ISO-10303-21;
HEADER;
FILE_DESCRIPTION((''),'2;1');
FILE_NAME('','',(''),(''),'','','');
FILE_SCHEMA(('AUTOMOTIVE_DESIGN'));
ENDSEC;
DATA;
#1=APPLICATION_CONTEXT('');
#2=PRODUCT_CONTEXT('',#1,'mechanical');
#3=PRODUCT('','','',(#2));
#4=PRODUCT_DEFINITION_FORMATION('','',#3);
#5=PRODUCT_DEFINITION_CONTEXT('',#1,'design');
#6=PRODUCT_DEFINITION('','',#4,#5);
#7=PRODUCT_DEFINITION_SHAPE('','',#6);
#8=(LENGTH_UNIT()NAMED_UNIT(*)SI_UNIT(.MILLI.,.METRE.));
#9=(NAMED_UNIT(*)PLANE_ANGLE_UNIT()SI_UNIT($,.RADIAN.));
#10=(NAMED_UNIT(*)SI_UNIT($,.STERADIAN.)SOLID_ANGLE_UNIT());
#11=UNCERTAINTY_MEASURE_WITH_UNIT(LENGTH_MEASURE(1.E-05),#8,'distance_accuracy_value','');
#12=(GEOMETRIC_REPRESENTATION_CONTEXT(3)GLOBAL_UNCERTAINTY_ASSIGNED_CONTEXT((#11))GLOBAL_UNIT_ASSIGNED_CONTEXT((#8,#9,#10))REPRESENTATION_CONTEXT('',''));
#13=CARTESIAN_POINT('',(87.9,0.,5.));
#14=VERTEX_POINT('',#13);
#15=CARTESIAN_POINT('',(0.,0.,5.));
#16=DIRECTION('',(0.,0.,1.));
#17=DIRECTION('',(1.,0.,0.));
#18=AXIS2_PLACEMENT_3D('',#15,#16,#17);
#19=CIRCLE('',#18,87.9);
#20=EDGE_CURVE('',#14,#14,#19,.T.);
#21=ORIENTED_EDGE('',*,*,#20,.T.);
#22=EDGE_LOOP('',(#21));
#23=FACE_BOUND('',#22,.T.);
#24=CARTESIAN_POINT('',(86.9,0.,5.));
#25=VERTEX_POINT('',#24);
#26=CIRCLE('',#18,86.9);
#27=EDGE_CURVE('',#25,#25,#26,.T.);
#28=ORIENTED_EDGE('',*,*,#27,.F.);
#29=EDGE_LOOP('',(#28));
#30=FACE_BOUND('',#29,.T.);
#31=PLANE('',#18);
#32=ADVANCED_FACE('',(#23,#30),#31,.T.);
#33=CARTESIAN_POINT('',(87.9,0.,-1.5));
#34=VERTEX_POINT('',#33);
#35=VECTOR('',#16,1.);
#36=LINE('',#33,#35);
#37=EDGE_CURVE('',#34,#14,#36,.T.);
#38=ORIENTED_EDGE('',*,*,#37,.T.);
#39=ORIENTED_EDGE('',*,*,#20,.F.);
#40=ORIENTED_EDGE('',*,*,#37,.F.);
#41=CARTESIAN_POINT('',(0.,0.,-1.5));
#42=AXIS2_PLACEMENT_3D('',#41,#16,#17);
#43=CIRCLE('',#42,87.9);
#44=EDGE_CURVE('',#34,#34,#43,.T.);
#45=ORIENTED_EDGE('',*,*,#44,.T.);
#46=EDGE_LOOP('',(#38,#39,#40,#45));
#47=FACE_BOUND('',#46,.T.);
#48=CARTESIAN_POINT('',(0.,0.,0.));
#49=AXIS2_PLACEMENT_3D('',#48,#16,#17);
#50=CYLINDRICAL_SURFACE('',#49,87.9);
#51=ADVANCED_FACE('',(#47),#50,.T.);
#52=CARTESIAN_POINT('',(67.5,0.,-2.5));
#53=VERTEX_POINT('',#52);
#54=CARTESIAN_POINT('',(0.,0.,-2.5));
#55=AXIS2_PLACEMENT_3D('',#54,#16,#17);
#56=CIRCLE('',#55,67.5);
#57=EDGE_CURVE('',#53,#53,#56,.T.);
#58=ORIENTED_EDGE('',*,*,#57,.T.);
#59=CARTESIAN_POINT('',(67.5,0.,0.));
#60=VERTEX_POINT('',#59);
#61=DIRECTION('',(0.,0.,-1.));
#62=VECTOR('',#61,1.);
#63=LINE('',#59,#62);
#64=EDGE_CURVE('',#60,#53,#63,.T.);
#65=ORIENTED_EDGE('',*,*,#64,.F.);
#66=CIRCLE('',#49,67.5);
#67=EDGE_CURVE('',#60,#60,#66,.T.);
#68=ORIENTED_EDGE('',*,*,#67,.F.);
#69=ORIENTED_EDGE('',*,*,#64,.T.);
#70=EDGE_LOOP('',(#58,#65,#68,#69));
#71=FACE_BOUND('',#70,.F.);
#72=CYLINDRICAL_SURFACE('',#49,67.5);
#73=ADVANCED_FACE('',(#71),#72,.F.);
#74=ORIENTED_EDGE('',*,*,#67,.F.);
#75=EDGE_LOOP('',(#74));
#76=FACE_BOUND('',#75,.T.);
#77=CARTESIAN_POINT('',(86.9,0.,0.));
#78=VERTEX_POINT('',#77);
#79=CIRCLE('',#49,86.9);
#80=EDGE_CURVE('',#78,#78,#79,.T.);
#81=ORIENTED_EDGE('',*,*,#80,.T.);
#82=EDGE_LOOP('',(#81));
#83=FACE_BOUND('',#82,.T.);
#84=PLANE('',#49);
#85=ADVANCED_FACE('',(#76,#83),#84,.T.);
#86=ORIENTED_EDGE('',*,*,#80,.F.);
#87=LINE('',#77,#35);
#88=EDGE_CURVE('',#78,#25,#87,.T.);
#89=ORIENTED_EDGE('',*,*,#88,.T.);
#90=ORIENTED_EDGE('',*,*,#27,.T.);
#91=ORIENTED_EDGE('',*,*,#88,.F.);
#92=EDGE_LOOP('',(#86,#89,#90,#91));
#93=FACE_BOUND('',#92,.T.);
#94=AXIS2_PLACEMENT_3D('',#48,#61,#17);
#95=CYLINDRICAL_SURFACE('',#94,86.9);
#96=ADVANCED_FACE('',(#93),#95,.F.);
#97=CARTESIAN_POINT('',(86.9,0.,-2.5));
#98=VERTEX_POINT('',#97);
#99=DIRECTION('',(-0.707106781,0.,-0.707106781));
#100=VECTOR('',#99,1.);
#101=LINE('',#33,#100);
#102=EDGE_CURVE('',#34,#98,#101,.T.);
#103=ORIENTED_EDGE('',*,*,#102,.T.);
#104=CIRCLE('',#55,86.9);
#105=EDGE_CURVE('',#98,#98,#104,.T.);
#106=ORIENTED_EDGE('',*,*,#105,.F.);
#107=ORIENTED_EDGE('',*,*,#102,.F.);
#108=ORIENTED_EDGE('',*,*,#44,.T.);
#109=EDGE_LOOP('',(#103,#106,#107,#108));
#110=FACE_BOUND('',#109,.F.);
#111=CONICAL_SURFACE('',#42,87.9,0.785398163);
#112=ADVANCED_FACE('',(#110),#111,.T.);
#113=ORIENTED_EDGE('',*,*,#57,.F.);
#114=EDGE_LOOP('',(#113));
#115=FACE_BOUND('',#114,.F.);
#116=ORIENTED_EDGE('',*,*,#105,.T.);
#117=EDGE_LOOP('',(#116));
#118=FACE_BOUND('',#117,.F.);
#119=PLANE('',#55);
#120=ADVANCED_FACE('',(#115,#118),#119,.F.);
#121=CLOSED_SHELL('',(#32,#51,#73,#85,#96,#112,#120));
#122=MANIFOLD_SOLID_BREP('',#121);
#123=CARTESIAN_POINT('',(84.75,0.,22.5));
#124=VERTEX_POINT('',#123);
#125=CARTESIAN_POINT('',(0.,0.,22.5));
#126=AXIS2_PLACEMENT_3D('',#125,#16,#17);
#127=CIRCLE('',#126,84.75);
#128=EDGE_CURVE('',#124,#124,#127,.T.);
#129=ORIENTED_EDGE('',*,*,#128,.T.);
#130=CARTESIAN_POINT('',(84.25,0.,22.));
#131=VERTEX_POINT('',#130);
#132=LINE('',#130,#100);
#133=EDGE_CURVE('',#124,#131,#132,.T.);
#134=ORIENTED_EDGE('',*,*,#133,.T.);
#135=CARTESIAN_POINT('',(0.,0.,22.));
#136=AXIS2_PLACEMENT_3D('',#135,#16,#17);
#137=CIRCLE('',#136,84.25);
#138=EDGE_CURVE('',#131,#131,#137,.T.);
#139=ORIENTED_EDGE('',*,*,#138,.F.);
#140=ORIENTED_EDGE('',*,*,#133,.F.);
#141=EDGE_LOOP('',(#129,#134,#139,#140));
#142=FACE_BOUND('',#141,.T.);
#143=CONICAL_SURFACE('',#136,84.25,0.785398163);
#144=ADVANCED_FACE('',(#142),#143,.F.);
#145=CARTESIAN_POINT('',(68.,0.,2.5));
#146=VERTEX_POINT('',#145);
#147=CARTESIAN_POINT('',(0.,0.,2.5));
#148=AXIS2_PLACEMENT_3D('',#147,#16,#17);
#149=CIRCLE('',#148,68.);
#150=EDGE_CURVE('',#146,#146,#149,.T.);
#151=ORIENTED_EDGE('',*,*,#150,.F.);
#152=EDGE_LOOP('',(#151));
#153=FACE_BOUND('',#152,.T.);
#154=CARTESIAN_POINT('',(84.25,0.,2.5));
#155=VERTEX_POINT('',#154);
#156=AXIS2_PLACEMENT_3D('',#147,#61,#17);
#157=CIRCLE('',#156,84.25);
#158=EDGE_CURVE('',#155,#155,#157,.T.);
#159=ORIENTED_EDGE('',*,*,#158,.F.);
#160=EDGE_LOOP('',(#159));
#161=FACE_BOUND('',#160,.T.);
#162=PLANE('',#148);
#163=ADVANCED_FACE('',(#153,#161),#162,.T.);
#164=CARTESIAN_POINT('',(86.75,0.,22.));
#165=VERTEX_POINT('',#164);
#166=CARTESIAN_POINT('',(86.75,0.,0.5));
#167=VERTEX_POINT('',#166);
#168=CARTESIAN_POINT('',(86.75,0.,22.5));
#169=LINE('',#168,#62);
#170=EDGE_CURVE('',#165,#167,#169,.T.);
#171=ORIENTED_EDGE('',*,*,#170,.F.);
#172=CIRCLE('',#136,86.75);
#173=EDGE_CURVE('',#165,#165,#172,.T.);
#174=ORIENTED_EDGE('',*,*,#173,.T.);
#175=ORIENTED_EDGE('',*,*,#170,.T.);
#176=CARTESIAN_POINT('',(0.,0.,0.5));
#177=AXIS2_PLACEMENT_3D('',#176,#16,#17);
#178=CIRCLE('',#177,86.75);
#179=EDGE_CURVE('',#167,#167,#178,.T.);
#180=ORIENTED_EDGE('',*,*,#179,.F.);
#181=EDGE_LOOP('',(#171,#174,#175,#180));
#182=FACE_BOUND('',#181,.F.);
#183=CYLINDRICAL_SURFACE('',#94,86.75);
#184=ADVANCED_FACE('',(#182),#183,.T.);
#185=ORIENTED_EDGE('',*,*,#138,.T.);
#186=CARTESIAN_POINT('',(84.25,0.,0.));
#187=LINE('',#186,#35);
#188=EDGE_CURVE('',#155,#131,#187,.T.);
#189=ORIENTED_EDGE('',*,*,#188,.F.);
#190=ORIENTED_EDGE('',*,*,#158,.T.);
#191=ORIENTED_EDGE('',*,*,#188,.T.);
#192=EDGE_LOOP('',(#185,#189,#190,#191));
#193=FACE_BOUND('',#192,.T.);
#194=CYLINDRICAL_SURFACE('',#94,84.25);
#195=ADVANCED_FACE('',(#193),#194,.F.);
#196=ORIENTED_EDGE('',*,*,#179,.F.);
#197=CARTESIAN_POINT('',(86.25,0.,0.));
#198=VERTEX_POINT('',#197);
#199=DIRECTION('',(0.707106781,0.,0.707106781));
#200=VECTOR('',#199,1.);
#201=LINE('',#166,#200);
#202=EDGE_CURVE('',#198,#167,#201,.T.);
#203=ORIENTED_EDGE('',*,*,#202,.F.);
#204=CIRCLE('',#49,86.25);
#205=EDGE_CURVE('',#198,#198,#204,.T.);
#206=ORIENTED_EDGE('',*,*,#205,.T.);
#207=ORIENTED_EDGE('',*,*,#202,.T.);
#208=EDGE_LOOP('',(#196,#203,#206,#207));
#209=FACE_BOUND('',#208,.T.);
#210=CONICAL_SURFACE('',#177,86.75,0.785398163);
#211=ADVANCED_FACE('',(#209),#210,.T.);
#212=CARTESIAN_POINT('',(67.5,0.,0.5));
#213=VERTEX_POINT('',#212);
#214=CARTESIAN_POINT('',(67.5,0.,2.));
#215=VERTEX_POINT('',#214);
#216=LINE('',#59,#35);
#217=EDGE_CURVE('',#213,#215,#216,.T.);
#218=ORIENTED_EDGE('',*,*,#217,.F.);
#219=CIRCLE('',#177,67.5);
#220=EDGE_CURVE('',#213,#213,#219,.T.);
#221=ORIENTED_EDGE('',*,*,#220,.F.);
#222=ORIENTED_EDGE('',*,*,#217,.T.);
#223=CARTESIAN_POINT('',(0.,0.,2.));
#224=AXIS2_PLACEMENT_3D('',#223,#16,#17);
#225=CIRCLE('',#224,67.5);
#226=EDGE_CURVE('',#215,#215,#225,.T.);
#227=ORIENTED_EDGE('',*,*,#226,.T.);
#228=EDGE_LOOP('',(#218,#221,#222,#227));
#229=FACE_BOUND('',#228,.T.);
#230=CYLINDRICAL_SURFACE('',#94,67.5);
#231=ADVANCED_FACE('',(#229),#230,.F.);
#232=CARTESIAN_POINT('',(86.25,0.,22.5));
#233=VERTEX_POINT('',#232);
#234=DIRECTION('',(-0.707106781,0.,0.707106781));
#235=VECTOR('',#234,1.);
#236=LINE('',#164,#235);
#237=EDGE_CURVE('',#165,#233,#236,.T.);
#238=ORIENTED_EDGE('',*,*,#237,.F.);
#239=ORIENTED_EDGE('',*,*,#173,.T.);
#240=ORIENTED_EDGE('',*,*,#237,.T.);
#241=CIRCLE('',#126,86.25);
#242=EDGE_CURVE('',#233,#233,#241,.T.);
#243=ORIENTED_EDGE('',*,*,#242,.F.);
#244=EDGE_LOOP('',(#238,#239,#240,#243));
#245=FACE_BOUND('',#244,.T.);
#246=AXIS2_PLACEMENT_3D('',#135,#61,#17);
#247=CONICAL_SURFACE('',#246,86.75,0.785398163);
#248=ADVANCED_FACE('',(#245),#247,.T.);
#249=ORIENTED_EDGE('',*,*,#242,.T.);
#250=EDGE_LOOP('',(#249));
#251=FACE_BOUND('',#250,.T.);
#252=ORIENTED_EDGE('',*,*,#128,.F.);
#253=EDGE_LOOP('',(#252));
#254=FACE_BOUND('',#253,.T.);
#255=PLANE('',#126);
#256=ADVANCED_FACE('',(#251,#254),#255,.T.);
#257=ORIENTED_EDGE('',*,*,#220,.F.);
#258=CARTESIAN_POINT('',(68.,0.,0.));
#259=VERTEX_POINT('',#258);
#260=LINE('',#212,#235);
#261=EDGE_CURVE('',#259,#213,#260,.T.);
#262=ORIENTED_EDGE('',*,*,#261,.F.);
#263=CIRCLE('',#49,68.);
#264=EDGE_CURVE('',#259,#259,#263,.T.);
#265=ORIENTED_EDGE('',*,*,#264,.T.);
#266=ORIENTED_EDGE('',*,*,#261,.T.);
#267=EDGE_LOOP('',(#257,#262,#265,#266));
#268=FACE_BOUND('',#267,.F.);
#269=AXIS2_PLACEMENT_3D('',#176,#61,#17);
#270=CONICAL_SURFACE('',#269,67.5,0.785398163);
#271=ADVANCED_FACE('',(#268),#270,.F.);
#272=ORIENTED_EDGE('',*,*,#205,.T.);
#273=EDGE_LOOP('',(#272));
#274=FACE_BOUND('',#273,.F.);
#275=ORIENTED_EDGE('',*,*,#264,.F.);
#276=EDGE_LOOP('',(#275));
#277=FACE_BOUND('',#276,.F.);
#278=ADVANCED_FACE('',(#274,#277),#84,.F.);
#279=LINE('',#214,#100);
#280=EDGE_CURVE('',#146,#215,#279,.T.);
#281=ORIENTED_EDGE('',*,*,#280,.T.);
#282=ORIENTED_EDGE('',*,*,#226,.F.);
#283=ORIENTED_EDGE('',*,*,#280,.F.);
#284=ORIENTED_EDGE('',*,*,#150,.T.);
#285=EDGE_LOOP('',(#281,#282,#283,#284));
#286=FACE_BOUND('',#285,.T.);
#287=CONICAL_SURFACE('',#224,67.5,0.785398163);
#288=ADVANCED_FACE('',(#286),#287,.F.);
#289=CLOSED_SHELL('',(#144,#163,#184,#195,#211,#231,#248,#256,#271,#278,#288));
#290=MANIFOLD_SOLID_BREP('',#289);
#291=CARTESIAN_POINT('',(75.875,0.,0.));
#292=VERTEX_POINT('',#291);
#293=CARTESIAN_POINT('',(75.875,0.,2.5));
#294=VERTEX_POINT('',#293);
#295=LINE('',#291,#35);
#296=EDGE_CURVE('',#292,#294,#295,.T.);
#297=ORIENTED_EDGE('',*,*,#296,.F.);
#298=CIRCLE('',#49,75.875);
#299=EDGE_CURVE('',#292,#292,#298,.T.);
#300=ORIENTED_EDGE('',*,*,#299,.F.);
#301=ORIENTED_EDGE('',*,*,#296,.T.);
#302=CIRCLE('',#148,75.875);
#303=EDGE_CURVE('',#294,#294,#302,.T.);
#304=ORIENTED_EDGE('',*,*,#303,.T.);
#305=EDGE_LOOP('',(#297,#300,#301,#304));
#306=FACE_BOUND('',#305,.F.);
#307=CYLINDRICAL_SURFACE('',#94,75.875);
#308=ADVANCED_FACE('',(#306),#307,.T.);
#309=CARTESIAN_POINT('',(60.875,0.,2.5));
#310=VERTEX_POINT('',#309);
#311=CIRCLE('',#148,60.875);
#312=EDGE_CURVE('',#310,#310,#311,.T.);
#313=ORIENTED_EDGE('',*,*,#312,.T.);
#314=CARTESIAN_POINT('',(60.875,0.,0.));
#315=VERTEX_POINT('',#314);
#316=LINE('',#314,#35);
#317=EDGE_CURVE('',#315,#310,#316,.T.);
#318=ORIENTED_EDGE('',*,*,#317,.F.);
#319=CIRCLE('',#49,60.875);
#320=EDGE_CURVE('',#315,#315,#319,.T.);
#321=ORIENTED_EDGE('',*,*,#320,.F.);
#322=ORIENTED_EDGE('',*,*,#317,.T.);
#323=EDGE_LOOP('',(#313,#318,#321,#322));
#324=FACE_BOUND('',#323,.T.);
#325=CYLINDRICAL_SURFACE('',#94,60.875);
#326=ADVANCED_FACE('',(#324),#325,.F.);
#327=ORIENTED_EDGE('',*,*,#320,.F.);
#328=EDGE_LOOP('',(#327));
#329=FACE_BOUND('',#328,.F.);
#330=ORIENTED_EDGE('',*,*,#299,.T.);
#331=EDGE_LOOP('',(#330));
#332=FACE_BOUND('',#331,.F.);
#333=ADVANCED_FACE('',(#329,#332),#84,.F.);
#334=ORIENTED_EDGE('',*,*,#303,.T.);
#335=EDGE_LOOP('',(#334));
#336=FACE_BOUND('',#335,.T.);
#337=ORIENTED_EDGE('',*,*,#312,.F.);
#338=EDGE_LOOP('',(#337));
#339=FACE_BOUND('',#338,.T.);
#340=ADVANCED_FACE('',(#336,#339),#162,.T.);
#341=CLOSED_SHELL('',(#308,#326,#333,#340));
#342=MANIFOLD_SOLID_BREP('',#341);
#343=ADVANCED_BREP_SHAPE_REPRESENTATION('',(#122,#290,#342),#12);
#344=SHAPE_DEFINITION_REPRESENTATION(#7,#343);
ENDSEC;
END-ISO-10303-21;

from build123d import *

# Parameters (mm, degrees)
SKETCH_R        = 86.75
SKETCH_R_2      = 67.5
PAD_DEPTH       = 2.5
SKETCH001_R     = 86.75
SKETCH001_R_2   = 84.25
PAD001_DEPTH    = 22.5
CHAMFER_SIZE    = 0.5
CHAMFER001_SIZE = 0.5
CHAMFER002_SIZE = 0.5
CHAMFER003_SIZE = 0.5
CHAMFER004_SIZE = 0.5
SKETCH002_R     = 87.9
SKETCH002_R_2   = 67.5
PAD002_DEPTH    = 2.5
SKETCH003_R     = 87.9
SKETCH003_R_2   = 86.9
PAD003_DEPTH    = 5
CHAMFER005_SIZE = 1
SKETCH004_R     = 75.875
SKETCH004_R_2   = 60.875
PAD004_DEPTH    = 2.5


with BuildPart() as cell:
    # Sketch → Pad (new body)
    with BuildSketch(Plane.XY):
        Circle(SKETCH_R)
        Circle(SKETCH_R_2, mode=Mode.SUBTRACT)
    extrude(amount=PAD_DEPTH)

    # Sketch001 → Pad001 (join)
    with BuildSketch(Plane.XY):
        Circle(SKETCH001_R)
        Circle(SKETCH001_R_2, mode=Mode.SUBTRACT)
    extrude(amount=PAD001_DEPTH)

    # Chamfer
    chamfer_edges = [cell.edges().sort_by_distance(p)[0] for p in [
        (-67.5, 0, 2.5),
    ]]
    chamfer(chamfer_edges, length=CHAMFER_SIZE)

    # Chamfer001
    chamfer001_edges = [cell.edges().sort_by_distance(p)[0] for p in [
        (-86.75, 0, 0),
    ]]
    chamfer(chamfer001_edges, length=CHAMFER001_SIZE)

    # Chamfer002
    chamfer002_edges = [cell.edges().sort_by_distance(p)[0] for p in [
        (-86.75, 0, 22.5),
    ]]
    chamfer(chamfer002_edges, length=CHAMFER002_SIZE)

    # Chamfer003
    chamfer003_edges = [cell.edges().sort_by_distance(p)[0] for p in [
        (-84.25, 0, 22.5),
    ]]
    chamfer(chamfer003_edges, length=CHAMFER003_SIZE)

    # Chamfer004
    chamfer004_edges = [cell.edges().sort_by_distance(p)[0] for p in [
        (-67.5, 0, 0),
    ]]
    chamfer(chamfer004_edges, length=CHAMFER004_SIZE)


with BuildPart() as cell_cover:
    # Sketch002 → Pad002 (new body)
    with BuildSketch(Plane.XY):
        Circle(SKETCH002_R)
        Circle(SKETCH002_R_2, mode=Mode.SUBTRACT)
    extrude(amount=-PAD002_DEPTH)

    # Sketch003 → Pad003 (join)
    with BuildSketch(Plane.XY):
        Circle(SKETCH003_R)
        Circle(SKETCH003_R_2, mode=Mode.SUBTRACT)
    extrude(amount=PAD003_DEPTH)

    # Chamfer005
    chamfer005_edges = [cell_cover.edges().sort_by_distance(p)[0] for p in [
        (-87.9, 0, -2.5),
    ]]
    chamfer(chamfer005_edges, length=CHAMFER005_SIZE)


with BuildPart() as filter_cutting_template:
    # Sketch004 → Pad004 (new body)
    with BuildSketch(Plane.XY):
        Circle(SKETCH004_R)
        Circle(SKETCH004_R_2, mode=Mode.SUBTRACT)
    extrude(amount=PAD004_DEPTH)


solid = Compound([cell.part, cell_cover.part, filter_cutting_template.part])
